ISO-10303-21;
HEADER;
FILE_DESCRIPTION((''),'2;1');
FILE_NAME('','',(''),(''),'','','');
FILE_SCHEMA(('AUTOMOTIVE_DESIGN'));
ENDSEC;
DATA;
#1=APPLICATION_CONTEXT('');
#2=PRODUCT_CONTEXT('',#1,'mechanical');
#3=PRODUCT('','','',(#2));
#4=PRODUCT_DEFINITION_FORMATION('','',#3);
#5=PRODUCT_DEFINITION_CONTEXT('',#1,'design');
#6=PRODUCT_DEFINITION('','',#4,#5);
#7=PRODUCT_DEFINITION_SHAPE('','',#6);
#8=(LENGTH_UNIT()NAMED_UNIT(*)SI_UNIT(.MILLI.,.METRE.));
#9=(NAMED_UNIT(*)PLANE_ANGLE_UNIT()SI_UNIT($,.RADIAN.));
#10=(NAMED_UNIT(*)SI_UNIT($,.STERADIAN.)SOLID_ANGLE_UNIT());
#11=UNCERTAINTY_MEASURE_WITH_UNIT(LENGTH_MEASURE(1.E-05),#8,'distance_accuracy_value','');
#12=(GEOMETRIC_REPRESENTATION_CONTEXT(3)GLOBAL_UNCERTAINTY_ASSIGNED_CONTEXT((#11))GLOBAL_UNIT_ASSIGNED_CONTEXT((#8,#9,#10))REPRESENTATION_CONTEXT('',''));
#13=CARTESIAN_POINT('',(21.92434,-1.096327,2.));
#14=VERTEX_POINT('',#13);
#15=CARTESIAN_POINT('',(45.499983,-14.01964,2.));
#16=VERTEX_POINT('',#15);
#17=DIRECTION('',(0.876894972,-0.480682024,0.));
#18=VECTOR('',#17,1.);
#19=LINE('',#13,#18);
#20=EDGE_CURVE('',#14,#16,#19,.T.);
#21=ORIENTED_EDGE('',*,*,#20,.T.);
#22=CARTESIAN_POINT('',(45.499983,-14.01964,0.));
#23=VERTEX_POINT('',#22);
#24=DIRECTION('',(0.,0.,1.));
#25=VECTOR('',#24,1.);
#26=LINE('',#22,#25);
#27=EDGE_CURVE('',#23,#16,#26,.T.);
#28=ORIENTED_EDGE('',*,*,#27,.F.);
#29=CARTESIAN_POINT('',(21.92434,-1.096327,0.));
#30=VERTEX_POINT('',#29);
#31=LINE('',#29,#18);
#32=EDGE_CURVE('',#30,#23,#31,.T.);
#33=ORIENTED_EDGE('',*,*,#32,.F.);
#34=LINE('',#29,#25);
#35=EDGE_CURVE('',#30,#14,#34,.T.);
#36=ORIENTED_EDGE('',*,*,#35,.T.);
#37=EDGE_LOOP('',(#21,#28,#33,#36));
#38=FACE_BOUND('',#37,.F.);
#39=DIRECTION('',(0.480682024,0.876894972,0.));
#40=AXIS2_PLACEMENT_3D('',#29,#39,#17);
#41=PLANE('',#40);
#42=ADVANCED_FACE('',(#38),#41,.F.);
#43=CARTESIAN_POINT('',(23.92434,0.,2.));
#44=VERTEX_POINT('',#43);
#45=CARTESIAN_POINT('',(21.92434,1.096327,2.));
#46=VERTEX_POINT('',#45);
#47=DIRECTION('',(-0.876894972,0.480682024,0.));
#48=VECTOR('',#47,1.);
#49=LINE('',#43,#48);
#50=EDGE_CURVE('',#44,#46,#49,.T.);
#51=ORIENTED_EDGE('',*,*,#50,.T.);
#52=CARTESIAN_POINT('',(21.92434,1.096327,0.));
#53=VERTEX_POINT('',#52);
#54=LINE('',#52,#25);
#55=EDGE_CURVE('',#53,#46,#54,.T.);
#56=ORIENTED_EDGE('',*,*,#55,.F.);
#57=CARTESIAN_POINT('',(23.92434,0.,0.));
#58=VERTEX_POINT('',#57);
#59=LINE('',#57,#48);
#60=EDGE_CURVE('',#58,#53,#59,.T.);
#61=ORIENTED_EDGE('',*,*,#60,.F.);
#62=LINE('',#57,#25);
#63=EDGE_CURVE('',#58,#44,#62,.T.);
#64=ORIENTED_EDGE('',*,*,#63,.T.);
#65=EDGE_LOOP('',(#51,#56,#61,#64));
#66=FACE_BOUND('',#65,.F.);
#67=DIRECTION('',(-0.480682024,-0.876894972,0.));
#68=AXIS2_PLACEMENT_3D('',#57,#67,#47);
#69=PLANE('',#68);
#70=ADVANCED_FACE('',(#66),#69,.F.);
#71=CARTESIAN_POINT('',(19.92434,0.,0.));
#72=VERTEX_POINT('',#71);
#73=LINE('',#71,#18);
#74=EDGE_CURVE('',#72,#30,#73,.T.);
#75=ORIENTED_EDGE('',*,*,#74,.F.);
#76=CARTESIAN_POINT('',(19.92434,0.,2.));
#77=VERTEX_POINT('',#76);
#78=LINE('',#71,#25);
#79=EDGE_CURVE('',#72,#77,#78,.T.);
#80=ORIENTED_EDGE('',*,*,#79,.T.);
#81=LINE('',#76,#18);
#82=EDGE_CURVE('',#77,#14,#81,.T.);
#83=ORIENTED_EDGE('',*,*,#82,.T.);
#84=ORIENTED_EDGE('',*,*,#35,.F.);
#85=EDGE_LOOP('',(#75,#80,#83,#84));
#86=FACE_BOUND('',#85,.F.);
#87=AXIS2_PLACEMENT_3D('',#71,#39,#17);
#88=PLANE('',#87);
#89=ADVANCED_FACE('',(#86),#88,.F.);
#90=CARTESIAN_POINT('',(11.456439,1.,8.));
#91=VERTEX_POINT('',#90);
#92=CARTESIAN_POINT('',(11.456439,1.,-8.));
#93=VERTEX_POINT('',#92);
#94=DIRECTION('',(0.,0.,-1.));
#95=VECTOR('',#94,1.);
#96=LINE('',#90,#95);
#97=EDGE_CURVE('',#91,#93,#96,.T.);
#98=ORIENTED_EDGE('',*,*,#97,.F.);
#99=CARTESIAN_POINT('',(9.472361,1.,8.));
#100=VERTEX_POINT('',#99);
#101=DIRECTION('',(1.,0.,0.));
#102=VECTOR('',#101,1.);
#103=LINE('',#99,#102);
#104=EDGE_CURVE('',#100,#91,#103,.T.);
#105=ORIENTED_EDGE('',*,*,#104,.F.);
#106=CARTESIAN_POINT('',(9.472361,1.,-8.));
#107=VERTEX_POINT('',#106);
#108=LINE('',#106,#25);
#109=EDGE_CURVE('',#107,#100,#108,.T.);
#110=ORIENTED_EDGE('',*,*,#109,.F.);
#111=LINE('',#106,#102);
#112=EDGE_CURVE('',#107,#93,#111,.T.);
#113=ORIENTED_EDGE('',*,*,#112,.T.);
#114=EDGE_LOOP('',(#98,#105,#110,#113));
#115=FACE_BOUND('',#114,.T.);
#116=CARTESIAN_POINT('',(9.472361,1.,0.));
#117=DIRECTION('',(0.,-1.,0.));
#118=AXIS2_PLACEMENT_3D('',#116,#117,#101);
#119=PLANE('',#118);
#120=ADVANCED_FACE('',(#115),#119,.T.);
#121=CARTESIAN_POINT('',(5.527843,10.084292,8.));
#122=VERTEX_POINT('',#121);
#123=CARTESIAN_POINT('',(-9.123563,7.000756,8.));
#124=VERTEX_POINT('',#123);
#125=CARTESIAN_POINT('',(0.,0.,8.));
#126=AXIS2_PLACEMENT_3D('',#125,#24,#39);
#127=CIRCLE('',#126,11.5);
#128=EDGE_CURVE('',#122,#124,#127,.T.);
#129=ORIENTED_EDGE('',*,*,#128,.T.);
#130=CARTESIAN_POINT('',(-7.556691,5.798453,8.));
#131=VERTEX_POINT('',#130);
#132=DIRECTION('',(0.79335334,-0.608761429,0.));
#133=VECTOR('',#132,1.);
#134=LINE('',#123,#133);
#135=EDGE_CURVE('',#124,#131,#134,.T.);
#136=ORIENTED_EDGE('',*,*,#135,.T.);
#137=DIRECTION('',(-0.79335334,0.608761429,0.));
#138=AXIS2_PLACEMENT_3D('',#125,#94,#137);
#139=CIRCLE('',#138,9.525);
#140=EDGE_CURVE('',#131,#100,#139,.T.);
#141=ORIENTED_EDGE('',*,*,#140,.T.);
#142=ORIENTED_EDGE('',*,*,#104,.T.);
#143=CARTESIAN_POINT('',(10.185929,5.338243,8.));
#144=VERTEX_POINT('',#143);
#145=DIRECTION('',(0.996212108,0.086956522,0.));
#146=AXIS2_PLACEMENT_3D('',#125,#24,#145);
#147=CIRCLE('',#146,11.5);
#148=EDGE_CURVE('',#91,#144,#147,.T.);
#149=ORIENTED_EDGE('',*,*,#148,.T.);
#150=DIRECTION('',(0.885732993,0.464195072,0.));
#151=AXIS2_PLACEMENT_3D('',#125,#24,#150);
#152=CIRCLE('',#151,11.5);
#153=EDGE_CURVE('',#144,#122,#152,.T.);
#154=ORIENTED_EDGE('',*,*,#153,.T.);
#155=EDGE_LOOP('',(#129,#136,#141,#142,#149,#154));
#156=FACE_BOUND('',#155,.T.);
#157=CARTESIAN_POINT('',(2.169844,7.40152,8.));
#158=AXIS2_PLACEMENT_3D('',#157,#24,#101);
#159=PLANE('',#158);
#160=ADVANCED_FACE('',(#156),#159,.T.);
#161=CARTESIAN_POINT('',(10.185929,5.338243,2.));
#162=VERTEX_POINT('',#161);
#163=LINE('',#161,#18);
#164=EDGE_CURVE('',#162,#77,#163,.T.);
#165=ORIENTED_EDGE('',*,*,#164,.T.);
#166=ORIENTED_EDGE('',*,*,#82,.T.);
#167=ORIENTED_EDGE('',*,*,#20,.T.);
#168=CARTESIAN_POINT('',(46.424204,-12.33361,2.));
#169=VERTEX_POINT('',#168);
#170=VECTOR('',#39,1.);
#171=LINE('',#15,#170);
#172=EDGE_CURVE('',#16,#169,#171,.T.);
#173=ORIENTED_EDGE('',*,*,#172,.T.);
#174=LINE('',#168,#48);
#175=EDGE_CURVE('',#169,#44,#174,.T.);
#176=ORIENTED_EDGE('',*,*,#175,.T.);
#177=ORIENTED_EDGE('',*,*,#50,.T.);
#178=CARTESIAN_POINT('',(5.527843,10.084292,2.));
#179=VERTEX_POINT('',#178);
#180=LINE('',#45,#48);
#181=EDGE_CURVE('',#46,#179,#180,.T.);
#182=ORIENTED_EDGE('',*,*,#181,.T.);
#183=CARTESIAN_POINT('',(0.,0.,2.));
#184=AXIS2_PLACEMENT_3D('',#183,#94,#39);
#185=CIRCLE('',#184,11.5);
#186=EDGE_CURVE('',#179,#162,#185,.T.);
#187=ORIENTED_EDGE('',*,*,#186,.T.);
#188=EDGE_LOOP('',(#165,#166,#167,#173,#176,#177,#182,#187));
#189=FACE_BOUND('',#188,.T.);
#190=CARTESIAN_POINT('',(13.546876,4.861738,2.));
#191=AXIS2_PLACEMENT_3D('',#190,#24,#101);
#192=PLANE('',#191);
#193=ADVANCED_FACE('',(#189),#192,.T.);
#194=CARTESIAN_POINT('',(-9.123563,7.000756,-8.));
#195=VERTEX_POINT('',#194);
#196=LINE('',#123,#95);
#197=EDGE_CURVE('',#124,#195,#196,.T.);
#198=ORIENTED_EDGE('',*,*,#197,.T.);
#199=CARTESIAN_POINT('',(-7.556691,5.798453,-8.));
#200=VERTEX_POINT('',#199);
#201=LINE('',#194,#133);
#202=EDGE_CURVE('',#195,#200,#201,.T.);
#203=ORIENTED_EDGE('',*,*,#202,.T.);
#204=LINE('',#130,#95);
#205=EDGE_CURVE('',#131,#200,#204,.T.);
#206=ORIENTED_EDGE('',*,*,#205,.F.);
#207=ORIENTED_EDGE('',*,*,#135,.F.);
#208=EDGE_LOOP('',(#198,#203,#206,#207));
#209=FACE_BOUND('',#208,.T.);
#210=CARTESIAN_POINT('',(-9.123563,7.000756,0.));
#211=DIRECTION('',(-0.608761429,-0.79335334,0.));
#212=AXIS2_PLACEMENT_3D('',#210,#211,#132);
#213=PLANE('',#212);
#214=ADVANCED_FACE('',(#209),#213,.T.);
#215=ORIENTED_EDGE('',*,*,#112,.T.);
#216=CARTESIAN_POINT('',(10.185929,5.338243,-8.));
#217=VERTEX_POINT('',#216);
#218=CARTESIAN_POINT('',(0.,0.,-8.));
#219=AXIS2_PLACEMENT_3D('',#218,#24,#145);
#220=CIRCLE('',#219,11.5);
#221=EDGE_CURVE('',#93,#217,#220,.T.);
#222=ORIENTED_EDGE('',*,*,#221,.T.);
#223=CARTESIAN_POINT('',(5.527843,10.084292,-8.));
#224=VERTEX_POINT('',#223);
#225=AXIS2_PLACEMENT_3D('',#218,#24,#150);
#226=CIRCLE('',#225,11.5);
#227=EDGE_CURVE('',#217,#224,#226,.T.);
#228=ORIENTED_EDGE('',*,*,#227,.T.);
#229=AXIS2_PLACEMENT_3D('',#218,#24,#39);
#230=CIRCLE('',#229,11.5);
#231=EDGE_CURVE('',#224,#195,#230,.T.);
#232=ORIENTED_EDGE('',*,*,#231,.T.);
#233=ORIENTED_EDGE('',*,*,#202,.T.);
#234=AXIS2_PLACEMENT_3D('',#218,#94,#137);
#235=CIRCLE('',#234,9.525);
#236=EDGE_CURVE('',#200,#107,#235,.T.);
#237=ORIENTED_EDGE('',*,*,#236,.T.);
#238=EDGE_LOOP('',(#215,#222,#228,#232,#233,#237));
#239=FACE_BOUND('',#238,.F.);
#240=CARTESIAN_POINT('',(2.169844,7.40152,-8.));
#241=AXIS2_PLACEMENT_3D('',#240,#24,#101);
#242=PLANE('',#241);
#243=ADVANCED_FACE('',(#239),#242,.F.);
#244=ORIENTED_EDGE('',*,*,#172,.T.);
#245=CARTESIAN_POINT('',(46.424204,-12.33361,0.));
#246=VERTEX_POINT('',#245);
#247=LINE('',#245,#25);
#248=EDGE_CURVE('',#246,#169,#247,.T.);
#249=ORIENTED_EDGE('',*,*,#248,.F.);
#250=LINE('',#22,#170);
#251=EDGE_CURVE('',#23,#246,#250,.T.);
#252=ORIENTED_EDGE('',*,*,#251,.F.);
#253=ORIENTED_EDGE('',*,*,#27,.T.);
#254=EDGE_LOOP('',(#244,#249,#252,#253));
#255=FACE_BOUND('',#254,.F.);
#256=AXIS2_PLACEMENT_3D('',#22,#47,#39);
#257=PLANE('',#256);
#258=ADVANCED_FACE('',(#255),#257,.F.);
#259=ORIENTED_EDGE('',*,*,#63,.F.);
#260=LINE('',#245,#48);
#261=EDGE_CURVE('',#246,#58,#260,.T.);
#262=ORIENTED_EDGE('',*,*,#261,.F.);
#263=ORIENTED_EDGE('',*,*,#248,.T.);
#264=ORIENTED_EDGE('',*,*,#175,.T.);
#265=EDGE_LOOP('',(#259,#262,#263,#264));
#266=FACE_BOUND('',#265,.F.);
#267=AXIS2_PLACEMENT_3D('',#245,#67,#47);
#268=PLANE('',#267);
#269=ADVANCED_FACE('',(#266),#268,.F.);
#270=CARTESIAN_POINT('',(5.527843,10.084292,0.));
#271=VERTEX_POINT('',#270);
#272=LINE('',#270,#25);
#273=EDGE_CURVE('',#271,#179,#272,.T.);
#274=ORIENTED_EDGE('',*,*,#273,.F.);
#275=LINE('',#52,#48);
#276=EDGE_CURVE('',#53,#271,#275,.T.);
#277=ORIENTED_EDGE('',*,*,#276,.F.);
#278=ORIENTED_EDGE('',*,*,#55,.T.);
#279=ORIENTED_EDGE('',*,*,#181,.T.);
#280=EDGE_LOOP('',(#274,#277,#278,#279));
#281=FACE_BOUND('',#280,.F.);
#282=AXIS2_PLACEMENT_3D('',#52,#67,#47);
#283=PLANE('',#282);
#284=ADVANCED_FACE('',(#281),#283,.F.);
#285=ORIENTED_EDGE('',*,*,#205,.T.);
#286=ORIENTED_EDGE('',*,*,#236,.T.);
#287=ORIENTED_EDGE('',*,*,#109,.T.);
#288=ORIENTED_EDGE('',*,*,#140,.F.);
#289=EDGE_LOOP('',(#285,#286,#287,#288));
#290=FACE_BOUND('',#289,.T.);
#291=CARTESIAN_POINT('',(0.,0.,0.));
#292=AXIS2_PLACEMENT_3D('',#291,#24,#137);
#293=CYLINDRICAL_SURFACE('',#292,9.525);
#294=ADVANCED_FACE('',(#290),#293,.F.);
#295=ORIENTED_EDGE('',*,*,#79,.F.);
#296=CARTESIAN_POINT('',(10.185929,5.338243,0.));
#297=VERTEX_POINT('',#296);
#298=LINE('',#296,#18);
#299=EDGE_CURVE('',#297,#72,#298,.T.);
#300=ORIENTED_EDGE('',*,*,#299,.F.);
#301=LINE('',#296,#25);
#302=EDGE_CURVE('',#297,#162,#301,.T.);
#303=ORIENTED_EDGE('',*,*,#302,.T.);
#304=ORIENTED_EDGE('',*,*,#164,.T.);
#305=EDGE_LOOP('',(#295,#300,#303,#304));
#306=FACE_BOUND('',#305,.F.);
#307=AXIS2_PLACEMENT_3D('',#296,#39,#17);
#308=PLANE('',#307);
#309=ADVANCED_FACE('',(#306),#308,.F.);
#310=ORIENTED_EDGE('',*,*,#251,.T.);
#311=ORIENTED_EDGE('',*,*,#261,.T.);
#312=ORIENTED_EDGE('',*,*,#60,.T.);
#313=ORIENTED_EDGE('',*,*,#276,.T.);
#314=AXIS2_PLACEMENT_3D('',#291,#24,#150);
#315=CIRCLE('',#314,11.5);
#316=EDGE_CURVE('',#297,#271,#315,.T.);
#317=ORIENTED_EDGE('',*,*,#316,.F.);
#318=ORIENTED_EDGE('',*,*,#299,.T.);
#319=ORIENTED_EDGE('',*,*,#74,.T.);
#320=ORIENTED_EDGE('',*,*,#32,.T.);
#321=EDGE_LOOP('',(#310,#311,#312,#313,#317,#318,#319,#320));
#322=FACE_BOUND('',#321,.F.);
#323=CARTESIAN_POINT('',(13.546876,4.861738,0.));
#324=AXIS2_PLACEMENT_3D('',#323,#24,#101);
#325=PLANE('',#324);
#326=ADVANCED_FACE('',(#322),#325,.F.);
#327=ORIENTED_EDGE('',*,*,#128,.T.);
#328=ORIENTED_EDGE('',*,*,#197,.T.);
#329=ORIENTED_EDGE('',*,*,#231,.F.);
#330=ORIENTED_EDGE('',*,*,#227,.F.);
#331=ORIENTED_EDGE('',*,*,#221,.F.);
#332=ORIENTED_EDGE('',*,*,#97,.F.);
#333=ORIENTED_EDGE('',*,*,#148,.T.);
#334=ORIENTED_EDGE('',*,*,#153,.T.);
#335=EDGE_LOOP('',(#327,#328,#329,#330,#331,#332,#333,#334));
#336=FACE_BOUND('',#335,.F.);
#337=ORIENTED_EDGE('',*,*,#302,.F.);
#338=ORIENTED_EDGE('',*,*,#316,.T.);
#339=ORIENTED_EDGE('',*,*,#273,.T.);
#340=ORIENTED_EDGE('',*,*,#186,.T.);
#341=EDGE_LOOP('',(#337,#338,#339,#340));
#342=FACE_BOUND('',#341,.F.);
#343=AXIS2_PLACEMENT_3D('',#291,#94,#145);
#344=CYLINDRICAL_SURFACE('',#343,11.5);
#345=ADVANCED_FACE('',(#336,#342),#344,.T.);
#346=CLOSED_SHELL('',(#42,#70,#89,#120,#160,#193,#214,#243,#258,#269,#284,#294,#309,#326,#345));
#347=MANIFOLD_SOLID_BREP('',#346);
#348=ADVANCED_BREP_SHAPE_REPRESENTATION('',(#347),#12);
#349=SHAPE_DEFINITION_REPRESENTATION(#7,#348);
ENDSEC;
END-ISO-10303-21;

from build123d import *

# Parameters (mm, degrees)
F1_DEPTH = 8
F2_DEPTH = 2


with BuildPart() as f1:
    # F0 (on Top) → F1 (new body, symmetric)
    with BuildSketch(Plane.XY):
        with BuildLine():
            ThreePointArc((-7.5566905663, 5.7984526113), (2.5833573647, 9.1679817695), (9.4723611101, 1))
            Line((9.4723611101, 1), (11.4564392374, 1))
            ThreePointArc((11.4564392374, 1), (11.0364450387, 3.2321635028), (10.1859294227, 5.3382433249))
            ThreePointArc((10.1859294227, 5.3382433249), (8.2074300514, 8.055314516), (5.5278432783, 10.084292176))
            ThreePointArc((5.5278432783, 10.084292176), (-2.3684064244, 11.2534728421), (-9.1235634133, 7.0007564336))
            Line((-9.1235634133, 7.0007564336), (-7.5566905663, 5.7984526113))
        make_face()
    extrude(amount=F1_DEPTH, both=True)

    # F0 (on Top) → F2 (join)
    with BuildSketch(Plane.XY):
        with BuildLine():
            ThreePointArc((5.5278432783, 10.084292176), (8.2074300514, 8.055314516), (10.1859294227, 5.3382433249))
            Line((10.1859294227, 5.3382433249), (19.924339628, 0))
            Line((19.924339628, 0), (21.924339628, 1.0963274728))
            Line((21.924339628, 1.0963274728), (5.5278432783, 10.084292176))
        make_face()
        Polygon((21.924339628, 1.0963274728), (19.924339628, 0), (21.924339628, -1.0963274728), (23.924339628, 0), align=None)
        Polygon((23.924339628, 0), (21.924339628, -1.0963274728), (45.4999829336, -14.0196401956), (46.4242037672, -12.3336095953), align=None)
    extrude(amount=F2_DEPTH)


solid = f1.part
